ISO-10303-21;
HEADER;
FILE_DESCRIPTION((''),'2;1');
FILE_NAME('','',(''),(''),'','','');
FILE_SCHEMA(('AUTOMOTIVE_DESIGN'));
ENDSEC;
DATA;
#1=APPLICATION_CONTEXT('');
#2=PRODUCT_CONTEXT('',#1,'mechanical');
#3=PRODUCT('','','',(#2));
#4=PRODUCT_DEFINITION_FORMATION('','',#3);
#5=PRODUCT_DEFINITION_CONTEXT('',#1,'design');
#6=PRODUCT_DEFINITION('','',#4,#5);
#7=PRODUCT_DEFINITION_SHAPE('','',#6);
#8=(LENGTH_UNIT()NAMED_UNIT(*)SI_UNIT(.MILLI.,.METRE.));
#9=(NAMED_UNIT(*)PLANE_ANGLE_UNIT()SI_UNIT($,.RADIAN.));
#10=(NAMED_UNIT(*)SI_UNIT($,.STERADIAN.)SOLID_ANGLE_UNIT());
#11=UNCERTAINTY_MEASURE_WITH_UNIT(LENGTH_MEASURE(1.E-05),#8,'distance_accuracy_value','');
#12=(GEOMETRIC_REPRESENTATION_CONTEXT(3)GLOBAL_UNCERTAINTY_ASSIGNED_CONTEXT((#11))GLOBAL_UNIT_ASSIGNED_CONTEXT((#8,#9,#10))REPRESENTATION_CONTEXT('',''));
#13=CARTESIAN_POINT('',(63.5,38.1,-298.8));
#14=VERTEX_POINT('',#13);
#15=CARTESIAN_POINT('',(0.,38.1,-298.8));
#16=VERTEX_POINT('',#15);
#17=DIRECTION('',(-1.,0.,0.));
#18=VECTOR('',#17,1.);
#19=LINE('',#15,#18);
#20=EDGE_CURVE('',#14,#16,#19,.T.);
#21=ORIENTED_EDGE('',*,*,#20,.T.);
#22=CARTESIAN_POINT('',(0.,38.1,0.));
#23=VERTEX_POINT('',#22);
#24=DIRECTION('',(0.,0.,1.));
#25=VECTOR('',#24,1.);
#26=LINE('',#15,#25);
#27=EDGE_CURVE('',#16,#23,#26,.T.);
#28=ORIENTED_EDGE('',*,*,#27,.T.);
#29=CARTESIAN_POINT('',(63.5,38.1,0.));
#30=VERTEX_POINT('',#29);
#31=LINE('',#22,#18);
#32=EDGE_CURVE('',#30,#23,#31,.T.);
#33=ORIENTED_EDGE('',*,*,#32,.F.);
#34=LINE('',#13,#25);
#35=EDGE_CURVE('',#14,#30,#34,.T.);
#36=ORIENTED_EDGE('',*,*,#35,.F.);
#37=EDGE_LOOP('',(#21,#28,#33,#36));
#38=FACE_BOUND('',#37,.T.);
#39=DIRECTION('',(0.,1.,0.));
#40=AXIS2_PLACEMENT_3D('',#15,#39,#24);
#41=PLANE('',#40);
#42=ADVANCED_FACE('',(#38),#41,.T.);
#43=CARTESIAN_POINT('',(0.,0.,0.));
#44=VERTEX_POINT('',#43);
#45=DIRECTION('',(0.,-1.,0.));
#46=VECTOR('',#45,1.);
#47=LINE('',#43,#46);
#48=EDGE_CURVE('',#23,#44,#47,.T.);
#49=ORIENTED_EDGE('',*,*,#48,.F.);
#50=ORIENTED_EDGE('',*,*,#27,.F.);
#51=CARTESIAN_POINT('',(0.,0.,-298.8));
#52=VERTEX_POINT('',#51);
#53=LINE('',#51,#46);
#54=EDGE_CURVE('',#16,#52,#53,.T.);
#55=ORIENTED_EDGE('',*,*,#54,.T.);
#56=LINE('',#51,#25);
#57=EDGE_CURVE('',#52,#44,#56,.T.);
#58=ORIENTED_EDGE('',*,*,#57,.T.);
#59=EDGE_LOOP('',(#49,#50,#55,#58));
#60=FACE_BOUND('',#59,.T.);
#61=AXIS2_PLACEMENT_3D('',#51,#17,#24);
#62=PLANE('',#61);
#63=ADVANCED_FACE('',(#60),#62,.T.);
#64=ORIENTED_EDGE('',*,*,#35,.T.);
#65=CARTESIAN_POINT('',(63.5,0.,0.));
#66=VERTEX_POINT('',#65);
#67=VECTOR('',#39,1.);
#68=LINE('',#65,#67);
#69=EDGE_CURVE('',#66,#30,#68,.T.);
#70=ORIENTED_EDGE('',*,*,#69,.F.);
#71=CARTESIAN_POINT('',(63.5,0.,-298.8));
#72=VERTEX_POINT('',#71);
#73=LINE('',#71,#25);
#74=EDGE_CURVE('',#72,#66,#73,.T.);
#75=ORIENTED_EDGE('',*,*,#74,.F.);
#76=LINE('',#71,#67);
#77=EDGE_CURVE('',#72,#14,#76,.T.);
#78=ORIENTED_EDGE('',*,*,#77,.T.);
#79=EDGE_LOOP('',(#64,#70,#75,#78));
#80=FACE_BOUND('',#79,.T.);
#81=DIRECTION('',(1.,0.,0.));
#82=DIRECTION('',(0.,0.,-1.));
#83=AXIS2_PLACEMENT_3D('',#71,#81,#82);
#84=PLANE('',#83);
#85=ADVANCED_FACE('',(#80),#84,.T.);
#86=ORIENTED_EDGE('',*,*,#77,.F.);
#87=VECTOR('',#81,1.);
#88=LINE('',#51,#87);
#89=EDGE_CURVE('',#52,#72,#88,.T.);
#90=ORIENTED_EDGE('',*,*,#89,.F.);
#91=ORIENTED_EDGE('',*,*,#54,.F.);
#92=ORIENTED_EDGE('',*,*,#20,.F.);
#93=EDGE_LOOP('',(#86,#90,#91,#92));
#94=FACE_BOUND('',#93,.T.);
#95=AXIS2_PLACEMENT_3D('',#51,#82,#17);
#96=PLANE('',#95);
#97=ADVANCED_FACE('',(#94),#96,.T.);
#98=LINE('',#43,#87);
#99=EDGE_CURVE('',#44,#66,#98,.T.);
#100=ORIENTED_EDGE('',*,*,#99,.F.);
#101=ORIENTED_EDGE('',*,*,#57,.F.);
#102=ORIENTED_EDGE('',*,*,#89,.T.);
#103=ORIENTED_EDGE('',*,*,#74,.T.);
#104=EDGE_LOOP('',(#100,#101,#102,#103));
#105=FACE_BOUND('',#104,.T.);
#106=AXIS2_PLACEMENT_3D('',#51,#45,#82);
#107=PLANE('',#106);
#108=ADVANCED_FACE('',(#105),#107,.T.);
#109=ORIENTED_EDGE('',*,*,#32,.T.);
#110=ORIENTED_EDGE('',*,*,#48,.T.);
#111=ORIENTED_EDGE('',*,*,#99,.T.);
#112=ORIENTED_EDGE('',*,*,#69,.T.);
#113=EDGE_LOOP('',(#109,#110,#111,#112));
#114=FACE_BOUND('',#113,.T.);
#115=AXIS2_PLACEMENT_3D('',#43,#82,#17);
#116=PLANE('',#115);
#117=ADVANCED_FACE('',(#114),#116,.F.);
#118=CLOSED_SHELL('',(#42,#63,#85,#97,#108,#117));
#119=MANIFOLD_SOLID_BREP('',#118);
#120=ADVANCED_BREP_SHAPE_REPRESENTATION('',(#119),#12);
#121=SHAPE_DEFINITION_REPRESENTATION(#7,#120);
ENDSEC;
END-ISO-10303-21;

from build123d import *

# Parameters (mm, degrees)
SKETCH1_W           = 63.5
SKETCH1_H           = 38.1
BOSS_EXTRUDE1_DEPTH = 298.8


with BuildPart() as part:
    # Sketch1 → Boss-Extrude1 (new body)
    with BuildSketch(Plane.XY):
        with Locations((31.75, 19.05)):
            Rectangle(SKETCH1_W, SKETCH1_H)
    extrude(amount=-BOSS_EXTRUDE1_DEPTH)


solid = part.part
